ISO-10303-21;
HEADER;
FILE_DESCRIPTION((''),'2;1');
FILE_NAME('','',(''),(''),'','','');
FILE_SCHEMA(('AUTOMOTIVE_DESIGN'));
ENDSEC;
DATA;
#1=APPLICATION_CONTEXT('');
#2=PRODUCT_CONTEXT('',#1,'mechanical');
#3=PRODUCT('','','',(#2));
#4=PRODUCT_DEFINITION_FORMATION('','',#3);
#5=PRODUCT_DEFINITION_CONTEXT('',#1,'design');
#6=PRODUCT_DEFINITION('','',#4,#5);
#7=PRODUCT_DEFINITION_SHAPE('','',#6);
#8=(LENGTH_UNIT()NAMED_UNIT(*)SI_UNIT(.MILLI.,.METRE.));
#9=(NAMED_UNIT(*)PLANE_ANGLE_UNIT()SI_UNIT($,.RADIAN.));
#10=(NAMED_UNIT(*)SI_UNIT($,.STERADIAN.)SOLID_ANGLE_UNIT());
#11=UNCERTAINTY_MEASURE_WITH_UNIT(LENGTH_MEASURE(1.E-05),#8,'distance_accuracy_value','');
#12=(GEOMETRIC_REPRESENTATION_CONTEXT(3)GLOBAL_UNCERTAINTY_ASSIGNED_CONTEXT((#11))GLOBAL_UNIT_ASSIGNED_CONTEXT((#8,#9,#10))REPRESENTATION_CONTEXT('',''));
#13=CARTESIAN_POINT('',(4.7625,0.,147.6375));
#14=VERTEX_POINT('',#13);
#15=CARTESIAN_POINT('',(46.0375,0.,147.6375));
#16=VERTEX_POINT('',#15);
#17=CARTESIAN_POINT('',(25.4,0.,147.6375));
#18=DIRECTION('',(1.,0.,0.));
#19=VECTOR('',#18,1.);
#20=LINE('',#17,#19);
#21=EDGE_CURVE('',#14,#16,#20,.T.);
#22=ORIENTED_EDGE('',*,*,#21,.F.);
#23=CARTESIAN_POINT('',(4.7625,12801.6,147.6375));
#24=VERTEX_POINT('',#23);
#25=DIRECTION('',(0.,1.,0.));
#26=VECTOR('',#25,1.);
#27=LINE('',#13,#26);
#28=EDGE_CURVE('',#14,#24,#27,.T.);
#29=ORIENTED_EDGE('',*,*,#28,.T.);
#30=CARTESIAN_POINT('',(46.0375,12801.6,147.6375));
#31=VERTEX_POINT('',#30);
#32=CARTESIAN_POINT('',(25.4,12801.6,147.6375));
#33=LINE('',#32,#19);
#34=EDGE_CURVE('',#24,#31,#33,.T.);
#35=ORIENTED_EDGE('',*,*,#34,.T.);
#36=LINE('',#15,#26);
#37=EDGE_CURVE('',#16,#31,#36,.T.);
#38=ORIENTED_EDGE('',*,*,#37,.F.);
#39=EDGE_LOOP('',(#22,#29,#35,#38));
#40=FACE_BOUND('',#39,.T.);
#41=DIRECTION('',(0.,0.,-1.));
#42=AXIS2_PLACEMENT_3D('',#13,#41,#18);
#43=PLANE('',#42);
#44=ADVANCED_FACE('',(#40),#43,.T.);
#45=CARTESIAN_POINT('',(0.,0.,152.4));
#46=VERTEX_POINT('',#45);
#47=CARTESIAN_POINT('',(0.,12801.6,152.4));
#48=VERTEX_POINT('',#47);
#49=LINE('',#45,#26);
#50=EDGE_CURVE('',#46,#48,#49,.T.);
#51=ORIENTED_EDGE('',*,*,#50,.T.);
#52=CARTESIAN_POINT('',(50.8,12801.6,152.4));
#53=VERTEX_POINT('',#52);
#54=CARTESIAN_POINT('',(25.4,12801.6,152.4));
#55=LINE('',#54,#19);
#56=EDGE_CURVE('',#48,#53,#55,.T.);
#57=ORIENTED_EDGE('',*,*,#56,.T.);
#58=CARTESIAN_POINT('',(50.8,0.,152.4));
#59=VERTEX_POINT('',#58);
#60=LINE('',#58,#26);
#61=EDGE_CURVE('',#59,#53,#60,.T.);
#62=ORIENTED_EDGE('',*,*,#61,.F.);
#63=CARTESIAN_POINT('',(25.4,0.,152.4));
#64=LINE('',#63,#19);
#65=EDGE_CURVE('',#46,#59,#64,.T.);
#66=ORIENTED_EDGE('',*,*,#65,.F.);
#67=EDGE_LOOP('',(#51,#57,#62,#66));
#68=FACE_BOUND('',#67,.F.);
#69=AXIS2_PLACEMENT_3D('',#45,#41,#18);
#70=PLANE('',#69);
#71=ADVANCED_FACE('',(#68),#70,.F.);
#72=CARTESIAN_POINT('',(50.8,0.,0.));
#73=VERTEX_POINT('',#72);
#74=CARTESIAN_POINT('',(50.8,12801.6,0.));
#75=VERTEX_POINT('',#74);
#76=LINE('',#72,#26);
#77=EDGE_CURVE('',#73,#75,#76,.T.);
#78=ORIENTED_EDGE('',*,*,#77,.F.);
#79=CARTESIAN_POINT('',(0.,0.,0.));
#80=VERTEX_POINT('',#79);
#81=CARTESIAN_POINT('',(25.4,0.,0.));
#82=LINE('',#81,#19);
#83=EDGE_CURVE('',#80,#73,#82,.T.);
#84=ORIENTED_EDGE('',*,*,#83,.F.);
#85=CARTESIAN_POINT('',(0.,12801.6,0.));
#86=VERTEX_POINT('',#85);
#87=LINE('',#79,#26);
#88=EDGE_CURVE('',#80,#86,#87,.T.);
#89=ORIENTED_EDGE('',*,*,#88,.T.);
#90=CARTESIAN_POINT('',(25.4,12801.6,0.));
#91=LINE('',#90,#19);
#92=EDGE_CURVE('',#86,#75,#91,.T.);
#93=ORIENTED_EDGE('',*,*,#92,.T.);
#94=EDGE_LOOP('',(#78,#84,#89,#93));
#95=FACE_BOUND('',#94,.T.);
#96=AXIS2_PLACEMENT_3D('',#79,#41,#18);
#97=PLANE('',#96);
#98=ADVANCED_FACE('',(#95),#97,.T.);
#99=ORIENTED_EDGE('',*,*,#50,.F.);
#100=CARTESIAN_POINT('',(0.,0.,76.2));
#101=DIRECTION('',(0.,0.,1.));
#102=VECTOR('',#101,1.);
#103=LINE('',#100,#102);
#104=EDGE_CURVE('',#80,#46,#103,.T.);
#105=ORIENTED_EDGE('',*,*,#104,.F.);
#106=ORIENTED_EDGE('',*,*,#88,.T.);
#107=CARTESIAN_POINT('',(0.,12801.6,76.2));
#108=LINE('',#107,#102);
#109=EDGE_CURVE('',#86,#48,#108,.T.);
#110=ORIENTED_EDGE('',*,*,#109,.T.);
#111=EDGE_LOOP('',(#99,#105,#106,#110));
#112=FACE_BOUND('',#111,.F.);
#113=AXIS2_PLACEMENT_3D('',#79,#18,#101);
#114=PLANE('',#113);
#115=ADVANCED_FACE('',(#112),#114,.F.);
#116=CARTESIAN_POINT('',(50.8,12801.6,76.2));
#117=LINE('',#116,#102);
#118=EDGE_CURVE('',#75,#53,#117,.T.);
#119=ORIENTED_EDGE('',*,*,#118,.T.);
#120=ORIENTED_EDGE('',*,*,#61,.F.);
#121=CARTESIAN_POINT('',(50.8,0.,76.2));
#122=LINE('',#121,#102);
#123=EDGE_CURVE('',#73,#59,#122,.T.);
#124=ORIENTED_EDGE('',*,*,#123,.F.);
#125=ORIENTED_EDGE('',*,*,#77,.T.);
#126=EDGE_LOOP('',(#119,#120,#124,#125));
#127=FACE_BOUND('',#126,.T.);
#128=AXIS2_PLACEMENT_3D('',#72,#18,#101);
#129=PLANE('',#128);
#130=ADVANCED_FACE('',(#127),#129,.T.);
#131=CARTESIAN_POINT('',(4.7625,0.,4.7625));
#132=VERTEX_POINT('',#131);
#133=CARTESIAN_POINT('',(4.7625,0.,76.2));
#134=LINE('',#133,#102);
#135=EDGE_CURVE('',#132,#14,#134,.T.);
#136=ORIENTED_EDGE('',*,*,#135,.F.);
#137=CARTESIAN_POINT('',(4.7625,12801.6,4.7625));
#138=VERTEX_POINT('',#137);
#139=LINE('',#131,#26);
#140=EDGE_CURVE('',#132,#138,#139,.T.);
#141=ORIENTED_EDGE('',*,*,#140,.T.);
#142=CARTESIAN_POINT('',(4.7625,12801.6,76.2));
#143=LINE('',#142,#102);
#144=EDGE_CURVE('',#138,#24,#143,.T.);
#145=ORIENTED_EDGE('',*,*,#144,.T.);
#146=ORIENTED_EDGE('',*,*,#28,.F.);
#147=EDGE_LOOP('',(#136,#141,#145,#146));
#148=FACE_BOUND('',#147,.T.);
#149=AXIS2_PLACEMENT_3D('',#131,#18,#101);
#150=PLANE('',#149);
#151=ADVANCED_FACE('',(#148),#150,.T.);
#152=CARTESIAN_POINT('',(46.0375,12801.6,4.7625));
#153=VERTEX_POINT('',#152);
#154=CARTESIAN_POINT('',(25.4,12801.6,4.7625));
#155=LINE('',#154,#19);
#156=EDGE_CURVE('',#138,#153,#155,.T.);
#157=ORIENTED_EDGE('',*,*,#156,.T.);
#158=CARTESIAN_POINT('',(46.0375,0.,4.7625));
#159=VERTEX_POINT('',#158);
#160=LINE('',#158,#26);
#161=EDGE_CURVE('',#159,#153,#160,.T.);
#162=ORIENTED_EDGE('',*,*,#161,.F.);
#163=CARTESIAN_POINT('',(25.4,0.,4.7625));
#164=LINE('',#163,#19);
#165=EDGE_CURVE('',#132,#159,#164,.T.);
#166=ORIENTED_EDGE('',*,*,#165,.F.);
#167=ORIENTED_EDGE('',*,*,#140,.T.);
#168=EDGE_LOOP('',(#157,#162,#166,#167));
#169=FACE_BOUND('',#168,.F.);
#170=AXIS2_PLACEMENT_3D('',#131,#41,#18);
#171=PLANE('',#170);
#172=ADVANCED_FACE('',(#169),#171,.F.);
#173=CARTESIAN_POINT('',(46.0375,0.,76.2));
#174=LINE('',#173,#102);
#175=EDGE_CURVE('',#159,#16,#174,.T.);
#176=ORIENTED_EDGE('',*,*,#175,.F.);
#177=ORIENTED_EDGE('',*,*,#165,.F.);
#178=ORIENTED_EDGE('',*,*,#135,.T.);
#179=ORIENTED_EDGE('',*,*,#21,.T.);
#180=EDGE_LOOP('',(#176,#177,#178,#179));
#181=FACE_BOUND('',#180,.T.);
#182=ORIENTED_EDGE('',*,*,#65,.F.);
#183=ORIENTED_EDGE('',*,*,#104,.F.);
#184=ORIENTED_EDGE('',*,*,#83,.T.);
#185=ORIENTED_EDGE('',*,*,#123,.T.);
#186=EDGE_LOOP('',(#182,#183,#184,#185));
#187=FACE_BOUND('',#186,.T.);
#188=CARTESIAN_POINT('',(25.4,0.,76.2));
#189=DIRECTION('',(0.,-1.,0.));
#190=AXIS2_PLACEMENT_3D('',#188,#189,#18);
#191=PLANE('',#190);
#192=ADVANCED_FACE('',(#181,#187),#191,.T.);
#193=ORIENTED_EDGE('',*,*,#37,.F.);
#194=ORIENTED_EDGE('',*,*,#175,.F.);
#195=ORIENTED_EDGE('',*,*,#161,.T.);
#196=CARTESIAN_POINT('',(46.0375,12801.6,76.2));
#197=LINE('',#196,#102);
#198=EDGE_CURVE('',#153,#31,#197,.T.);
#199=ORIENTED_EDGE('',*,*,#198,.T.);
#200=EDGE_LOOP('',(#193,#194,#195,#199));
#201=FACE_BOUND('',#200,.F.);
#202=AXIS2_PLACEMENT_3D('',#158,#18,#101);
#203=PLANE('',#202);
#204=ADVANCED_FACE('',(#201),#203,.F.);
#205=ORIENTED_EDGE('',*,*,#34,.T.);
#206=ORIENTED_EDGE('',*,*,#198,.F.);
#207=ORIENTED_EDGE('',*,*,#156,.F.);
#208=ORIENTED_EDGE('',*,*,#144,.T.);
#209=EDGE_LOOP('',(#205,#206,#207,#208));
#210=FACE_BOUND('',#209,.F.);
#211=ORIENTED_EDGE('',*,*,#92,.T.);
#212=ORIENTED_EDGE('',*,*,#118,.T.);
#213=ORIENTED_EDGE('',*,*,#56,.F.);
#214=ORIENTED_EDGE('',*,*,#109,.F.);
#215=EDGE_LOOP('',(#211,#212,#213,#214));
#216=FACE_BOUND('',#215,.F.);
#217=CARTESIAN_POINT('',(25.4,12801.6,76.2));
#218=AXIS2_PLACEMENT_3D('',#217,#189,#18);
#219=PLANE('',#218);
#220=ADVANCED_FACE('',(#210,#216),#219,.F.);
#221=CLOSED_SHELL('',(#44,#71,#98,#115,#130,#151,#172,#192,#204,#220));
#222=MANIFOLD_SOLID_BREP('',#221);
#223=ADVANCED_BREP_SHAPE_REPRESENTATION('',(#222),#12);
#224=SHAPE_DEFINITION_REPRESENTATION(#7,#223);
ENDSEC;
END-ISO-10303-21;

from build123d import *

# Parameters (mm, degrees)
F0_W     = 50.8
F0_H     = 152.4
F0_W_2   = 41.275
F0_H_2   = 142.875
F1_DEPTH = 12801.6


with BuildPart() as f1:
    # F0 (on Front) → F1 (new body)
    with BuildSketch(Plane.XZ):
        with Locations((25.4, 76.2)):
            Rectangle(F0_W, F0_H)
        with Locations((25.4, 76.2)):
            Rectangle(F0_W_2, F0_H_2, mode=Mode.SUBTRACT)
    extrude(amount=-F1_DEPTH)


solid = f1.part
